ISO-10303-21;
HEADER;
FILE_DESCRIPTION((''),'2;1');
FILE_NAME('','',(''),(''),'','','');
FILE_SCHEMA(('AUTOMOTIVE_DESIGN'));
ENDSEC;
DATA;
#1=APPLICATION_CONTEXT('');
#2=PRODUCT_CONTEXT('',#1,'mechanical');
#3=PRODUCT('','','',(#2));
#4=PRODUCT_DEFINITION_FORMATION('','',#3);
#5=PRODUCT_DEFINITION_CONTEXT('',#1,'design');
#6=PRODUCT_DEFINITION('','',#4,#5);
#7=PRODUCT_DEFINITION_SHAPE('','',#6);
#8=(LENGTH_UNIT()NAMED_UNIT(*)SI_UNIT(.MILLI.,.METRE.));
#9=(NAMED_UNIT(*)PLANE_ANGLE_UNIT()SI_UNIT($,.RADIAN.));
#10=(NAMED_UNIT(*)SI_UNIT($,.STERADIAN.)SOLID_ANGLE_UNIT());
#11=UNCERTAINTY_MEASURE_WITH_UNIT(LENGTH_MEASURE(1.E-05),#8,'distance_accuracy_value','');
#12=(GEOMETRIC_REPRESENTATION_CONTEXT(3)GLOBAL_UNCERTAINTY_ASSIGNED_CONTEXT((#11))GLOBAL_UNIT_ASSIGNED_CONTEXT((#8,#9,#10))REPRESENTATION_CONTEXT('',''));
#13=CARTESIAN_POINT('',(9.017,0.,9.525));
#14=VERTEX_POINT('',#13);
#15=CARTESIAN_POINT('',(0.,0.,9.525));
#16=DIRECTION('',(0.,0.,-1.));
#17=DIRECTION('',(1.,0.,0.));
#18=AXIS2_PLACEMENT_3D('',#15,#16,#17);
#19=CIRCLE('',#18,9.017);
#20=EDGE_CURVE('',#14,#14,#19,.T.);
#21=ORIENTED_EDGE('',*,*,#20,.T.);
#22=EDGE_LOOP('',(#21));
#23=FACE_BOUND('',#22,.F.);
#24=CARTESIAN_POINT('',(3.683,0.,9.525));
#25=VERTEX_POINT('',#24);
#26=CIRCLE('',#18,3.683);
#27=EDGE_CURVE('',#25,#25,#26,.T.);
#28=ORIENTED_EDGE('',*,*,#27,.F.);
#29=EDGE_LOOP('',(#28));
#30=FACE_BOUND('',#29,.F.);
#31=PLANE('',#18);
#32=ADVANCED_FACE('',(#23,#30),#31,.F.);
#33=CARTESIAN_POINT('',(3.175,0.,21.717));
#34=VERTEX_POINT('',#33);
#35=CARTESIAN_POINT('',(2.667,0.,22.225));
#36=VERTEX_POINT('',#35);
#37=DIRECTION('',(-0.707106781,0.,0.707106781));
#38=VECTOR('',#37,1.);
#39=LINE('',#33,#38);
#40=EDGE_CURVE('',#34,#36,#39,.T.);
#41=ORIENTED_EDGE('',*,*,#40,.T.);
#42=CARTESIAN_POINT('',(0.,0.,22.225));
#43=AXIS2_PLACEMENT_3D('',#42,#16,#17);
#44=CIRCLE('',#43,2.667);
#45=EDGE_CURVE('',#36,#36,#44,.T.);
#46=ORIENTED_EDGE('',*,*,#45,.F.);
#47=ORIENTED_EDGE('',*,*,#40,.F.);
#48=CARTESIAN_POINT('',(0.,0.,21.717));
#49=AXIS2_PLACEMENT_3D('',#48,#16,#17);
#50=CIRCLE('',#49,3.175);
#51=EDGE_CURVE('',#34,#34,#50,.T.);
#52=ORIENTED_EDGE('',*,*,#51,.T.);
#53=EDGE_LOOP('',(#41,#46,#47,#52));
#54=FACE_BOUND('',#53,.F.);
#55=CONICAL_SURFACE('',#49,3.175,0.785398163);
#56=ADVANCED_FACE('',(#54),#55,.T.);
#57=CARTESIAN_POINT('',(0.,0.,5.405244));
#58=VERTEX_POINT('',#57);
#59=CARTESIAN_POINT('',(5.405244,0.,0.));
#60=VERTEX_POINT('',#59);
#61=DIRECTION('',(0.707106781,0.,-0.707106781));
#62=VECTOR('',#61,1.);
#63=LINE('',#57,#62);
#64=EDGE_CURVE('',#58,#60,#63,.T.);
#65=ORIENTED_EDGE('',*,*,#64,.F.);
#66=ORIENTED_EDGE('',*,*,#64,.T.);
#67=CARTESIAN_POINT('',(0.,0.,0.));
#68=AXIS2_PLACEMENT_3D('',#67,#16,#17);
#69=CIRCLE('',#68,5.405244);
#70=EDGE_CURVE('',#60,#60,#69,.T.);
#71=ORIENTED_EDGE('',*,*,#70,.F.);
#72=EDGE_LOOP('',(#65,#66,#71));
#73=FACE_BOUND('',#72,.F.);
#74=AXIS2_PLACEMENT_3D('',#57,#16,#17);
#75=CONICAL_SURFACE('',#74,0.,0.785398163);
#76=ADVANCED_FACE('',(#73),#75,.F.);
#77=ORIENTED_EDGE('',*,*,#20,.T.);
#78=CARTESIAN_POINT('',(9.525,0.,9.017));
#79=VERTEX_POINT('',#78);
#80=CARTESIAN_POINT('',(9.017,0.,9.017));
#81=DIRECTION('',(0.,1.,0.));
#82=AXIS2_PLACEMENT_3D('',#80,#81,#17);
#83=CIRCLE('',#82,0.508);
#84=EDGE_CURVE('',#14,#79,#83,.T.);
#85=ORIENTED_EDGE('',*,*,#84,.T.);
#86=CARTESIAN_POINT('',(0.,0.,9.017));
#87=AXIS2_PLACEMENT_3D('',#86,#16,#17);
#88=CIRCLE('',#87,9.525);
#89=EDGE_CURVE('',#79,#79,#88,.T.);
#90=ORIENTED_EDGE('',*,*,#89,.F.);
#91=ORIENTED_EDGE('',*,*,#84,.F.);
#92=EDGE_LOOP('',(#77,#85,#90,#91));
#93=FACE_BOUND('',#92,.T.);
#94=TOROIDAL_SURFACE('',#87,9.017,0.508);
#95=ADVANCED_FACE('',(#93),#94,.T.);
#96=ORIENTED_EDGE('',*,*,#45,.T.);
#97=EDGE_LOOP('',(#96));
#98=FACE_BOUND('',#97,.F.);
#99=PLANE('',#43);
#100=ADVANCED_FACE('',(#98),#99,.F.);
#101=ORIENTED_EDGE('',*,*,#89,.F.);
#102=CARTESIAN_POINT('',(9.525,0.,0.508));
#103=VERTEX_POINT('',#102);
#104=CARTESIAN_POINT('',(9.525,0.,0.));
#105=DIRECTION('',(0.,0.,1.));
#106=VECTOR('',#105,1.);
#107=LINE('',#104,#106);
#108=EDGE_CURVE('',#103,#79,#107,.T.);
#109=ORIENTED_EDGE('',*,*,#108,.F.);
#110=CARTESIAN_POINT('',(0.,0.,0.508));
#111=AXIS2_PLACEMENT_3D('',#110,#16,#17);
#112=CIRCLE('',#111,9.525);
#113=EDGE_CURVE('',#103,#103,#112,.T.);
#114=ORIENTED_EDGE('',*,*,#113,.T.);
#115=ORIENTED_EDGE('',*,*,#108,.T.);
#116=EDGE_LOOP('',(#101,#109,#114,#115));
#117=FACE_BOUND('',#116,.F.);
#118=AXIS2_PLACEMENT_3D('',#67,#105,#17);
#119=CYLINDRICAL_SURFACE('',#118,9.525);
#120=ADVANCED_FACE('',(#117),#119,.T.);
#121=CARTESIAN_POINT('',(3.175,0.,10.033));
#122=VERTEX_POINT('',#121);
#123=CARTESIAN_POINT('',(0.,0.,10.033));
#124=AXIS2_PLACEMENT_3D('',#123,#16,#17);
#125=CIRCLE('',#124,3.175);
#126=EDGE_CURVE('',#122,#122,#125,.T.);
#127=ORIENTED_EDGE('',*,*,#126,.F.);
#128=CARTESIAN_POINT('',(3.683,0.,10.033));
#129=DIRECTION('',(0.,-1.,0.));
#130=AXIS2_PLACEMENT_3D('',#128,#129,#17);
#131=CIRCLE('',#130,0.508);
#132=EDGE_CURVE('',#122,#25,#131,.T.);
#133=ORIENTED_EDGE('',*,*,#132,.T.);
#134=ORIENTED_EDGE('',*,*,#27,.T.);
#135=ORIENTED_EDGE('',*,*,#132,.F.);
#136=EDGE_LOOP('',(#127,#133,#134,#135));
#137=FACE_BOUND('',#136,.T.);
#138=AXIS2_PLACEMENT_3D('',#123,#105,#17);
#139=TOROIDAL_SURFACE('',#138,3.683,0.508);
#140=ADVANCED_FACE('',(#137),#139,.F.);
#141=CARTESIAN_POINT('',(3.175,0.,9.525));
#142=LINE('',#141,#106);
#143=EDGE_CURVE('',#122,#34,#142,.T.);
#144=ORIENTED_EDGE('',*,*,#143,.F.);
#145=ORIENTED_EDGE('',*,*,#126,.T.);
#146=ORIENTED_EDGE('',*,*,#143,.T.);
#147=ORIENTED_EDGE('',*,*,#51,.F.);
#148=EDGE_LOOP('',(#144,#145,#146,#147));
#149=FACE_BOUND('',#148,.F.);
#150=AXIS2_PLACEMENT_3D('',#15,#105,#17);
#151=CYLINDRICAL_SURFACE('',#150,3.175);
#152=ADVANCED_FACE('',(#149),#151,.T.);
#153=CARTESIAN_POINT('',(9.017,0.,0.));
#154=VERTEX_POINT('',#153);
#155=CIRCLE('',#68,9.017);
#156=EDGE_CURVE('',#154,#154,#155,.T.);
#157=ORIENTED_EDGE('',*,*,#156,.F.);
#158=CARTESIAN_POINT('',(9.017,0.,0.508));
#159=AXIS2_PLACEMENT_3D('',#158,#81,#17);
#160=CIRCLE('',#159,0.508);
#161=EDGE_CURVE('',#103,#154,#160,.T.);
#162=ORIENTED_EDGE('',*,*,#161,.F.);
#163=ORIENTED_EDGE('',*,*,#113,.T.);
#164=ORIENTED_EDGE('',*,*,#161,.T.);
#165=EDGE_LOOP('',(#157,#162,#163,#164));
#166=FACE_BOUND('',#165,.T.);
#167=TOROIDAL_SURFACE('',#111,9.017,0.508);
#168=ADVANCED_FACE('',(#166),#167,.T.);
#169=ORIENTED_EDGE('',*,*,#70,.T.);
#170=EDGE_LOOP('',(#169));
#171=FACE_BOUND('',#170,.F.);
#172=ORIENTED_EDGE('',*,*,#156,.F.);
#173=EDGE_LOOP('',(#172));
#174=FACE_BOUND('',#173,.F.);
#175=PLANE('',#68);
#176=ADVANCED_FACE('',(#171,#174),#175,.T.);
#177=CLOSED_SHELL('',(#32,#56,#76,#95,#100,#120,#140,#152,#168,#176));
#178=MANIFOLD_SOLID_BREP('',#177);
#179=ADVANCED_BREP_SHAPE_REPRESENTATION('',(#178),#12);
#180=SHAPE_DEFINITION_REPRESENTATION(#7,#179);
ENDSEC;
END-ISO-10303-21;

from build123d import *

# Parameters (mm, degrees)
F2_SIZE = 0.508
F3_R    = 0.508


with BuildPart() as f1:
    # F0 (on Front) → F1 (revolve)
    with BuildSketch(Plane.XZ):
        Polygon((0, 22.225), (0, 5.405244), (5.405244, 0), (9.525, 0), (9.525, 9.525), (3.175, 9.525), (3.175, 22.225), align=None)
    revolve(axis=Axis((0, 0, 17.601646), (0, 0, -1)))

    # F2
    f2_edges = [f1.edges().sort_by_distance(p)[0] for p in [
        (-3.175, 0, 22.225),
    ]]
    chamfer(f2_edges, length=F2_SIZE)

    # F3
    f3_edges = [f1.edges().sort_by_distance(p)[0] for p in [
        (-9.525, 0, 9.525),
        (-3.175, 0, 9.525),
        (-9.525, 0, 0),
    ]]
    fillet(f3_edges, radius=F3_R)


solid = f1.part
